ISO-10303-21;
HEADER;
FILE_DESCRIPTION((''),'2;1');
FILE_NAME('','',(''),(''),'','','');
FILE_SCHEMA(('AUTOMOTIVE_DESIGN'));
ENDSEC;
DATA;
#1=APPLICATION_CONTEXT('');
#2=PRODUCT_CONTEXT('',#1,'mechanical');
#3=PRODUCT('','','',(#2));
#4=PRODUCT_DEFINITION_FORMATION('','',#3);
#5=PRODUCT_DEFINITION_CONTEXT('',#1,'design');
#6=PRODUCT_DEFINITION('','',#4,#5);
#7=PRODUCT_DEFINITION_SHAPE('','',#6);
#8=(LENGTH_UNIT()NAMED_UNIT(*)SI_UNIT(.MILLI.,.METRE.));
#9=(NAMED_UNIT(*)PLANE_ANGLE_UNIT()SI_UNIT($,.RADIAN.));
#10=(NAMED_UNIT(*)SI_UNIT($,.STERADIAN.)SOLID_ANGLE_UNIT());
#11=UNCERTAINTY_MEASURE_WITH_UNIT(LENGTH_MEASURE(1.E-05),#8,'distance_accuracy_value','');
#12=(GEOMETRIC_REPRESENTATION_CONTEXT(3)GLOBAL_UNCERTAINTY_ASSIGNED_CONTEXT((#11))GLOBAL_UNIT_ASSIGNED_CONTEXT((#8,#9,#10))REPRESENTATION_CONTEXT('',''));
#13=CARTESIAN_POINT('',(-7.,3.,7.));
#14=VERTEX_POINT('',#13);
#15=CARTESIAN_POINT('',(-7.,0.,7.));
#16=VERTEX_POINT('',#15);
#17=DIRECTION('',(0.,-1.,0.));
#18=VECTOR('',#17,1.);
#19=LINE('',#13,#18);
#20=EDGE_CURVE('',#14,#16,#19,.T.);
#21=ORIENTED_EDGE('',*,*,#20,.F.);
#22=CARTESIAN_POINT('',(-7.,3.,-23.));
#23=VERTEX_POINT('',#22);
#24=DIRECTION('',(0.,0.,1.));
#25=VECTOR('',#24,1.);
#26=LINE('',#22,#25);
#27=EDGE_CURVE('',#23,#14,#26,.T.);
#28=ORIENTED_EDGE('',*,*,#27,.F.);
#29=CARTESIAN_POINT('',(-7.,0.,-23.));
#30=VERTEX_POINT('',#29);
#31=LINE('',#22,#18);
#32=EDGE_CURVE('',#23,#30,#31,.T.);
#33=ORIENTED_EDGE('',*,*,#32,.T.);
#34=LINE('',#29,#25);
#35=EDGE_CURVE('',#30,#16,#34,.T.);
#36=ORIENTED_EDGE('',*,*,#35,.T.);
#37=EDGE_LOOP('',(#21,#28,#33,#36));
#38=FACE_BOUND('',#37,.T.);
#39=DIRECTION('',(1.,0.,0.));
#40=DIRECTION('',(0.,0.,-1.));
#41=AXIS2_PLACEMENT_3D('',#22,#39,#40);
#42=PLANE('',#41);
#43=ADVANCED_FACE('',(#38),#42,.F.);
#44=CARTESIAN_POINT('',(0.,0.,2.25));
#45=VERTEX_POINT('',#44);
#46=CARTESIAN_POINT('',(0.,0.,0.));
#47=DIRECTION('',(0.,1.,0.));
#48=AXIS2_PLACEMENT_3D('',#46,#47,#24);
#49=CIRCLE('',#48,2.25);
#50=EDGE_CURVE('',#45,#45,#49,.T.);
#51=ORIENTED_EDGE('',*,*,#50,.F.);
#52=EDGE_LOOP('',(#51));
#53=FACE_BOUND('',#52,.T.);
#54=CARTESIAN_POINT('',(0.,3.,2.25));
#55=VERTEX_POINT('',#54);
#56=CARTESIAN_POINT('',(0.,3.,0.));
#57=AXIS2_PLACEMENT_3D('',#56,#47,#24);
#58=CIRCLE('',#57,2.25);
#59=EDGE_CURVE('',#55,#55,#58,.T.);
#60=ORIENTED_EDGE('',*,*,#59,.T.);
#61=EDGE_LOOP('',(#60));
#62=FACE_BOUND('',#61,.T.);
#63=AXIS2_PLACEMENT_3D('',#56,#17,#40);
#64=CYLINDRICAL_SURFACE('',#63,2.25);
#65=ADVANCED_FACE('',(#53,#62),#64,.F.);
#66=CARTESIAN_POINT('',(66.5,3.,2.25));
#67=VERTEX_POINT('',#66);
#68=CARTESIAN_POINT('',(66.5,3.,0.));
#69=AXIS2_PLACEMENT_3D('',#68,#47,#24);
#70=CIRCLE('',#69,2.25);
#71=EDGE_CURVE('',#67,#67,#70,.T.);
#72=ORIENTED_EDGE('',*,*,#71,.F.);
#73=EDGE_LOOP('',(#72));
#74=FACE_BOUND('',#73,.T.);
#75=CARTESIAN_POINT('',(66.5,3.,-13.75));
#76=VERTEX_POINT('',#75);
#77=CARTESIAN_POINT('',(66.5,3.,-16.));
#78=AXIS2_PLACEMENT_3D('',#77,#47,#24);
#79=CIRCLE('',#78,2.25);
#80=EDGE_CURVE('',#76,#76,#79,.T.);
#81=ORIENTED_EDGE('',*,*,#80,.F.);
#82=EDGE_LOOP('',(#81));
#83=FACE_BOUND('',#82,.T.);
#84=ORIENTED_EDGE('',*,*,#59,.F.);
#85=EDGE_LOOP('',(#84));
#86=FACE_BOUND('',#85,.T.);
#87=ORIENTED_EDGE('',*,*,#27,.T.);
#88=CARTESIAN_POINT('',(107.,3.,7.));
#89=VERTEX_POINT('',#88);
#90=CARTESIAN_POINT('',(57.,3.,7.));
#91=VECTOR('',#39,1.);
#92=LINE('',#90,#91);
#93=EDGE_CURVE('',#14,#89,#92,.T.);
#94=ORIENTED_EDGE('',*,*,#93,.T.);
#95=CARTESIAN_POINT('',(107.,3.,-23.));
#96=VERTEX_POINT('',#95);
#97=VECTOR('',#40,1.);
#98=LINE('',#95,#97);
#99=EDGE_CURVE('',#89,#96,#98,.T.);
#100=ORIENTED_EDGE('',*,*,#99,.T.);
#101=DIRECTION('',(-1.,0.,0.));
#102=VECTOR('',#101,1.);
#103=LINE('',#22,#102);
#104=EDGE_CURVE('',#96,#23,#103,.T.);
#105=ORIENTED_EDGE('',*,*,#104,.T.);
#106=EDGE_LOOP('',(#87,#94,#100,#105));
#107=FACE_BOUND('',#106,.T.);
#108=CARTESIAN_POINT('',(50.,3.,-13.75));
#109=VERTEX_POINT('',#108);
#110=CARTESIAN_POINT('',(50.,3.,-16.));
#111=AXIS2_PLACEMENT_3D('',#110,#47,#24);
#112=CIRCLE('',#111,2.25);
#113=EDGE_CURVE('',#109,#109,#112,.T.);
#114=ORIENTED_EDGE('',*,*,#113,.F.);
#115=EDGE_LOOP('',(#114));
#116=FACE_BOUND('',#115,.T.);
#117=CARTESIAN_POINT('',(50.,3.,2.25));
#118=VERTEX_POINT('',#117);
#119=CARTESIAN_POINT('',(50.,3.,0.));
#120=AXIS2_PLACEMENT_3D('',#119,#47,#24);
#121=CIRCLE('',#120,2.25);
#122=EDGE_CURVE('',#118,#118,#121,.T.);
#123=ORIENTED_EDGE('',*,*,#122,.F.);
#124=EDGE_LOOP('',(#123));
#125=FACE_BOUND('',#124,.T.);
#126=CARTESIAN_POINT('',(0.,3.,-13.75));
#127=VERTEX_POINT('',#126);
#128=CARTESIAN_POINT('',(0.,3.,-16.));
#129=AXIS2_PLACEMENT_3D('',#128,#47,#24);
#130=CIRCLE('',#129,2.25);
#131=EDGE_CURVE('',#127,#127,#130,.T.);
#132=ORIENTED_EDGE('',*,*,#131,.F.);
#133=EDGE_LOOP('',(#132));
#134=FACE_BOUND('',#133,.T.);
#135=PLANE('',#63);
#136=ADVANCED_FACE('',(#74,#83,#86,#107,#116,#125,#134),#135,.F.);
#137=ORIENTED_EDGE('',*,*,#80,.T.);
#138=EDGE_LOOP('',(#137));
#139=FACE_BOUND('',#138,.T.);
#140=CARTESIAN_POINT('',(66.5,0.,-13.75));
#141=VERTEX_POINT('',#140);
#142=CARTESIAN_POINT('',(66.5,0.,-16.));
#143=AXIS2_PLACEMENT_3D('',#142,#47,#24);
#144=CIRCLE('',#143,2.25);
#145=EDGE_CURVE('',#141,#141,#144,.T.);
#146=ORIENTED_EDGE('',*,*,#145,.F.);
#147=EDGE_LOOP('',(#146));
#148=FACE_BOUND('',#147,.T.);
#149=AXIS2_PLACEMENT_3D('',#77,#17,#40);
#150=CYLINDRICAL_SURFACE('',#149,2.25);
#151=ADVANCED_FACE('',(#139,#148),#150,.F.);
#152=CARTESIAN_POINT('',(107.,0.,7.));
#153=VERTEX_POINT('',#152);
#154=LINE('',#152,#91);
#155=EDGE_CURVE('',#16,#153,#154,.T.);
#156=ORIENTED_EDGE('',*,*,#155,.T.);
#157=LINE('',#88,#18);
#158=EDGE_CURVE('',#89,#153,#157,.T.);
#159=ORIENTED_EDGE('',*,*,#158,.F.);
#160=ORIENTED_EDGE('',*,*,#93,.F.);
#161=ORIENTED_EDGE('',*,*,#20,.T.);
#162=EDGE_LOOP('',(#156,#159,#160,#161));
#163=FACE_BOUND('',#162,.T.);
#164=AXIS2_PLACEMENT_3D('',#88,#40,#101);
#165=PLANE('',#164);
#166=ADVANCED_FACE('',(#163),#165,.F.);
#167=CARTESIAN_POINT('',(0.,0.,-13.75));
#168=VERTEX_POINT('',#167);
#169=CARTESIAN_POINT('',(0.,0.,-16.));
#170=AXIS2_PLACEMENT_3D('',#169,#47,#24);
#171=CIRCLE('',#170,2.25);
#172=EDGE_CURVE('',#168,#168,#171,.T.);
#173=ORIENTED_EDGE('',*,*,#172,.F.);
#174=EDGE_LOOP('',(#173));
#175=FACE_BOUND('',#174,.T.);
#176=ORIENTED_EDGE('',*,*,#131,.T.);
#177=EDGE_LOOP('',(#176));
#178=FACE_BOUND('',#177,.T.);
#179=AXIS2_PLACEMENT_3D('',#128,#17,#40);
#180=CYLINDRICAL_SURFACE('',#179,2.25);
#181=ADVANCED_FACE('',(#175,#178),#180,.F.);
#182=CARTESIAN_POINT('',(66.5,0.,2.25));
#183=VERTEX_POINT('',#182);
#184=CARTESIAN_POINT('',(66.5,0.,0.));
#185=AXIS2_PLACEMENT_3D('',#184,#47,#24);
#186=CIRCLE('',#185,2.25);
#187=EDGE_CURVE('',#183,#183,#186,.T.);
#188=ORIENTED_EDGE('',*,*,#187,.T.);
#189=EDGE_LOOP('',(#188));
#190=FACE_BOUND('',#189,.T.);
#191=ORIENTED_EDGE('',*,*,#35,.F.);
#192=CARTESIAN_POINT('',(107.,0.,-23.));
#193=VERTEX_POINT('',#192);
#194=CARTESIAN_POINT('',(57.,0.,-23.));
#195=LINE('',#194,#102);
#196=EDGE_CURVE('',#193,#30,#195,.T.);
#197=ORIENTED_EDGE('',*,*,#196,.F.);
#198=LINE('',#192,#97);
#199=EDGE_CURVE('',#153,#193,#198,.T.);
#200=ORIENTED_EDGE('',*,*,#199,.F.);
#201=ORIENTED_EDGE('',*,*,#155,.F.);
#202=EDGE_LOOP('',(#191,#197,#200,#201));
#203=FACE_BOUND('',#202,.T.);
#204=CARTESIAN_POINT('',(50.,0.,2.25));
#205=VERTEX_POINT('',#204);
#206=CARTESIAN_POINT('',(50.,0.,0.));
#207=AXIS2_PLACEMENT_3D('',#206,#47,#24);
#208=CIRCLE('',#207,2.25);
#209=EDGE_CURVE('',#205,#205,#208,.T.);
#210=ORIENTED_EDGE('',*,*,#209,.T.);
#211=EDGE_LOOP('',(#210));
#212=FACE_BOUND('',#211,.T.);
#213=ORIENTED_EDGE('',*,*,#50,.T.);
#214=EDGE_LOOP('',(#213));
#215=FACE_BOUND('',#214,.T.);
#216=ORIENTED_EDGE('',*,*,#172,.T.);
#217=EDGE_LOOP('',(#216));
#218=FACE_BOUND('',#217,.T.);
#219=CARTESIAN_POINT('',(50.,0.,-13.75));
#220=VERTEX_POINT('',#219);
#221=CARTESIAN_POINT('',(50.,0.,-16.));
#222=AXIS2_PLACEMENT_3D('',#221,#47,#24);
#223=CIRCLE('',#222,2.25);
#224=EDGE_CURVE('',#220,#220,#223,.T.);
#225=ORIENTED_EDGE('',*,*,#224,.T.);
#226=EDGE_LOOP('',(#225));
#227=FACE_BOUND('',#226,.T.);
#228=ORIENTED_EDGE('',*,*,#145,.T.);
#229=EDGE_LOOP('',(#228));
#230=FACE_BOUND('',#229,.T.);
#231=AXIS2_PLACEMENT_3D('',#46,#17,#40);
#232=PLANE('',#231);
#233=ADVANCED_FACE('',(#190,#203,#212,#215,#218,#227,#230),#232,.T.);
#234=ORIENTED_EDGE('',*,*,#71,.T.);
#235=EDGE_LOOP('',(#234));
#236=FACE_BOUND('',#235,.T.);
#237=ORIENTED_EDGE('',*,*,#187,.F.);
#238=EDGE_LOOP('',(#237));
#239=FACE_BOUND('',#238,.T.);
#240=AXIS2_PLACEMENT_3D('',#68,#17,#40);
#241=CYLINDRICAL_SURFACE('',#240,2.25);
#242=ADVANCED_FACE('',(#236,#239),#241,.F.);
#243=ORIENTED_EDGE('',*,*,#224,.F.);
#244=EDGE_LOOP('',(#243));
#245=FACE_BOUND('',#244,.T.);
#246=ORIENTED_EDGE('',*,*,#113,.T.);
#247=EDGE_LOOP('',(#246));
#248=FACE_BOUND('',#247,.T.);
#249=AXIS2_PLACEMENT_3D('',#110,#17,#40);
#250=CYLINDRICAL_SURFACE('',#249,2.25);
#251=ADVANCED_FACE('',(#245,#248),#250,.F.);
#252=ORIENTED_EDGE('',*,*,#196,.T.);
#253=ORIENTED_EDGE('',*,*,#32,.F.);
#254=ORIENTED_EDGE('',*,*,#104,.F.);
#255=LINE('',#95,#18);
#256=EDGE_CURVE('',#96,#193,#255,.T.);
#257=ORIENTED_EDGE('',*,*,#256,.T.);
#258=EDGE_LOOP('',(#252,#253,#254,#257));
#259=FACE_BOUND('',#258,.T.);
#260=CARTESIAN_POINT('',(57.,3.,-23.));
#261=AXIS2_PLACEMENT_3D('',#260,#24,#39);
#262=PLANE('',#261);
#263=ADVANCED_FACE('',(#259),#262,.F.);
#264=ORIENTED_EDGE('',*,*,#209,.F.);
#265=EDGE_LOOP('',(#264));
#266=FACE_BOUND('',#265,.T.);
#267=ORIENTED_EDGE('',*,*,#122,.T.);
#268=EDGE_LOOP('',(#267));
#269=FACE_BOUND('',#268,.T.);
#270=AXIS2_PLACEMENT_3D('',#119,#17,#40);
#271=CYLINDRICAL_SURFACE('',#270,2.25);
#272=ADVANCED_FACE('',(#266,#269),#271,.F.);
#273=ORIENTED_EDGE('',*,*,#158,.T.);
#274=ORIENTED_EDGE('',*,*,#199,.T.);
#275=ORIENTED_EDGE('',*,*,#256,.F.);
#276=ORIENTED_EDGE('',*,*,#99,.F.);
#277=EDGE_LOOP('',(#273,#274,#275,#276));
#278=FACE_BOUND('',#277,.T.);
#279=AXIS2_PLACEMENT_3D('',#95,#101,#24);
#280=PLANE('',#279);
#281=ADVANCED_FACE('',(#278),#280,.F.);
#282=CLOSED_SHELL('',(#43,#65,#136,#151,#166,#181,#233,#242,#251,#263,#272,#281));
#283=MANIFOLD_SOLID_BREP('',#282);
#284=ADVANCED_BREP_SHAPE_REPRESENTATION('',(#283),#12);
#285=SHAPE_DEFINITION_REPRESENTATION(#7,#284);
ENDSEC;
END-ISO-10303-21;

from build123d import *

# Parameters (mm, degrees)
SKETCH1_R           = 2.25
BOSS_EXTRUDE1_DEPTH = 3


with BuildPart() as part:
    # Sketch1 → Boss-Extrude1 (new body)
    with BuildSketch(Plane(origin=(0, 0, 0), x_dir=(1, 0, 0), z_dir=(0, 1, 0))):
        Polygon((-7, 23), (-7, -7), (57, -7), (107, -7), (107, 23), (57, 23), align=None)
        with Locations(Location((0, 0, 0), (0, 0, 270))):
            Circle(SKETCH1_R, mode=Mode.SUBTRACT)
        with Locations(Location((0, 16, 0), (0, 0, 270))):
            Circle(SKETCH1_R, mode=Mode.SUBTRACT)
        with Locations(Location((50, 0, 0), (0, 0, 270))):
            Circle(SKETCH1_R, mode=Mode.SUBTRACT)
        with Locations(Location((50, 16, 0), (0, 0, 270))):
            Circle(SKETCH1_R, mode=Mode.SUBTRACT)
        with Locations(Location((66.5, 16, 0), (0, 0, 270))):
            Circle(SKETCH1_R, mode=Mode.SUBTRACT)
        with Locations(Location((66.5, 0, 0), (0, 0, 270))):
            Circle(SKETCH1_R, mode=Mode.SUBTRACT)
    extrude(amount=BOSS_EXTRUDE1_DEPTH)


solid = part.part
